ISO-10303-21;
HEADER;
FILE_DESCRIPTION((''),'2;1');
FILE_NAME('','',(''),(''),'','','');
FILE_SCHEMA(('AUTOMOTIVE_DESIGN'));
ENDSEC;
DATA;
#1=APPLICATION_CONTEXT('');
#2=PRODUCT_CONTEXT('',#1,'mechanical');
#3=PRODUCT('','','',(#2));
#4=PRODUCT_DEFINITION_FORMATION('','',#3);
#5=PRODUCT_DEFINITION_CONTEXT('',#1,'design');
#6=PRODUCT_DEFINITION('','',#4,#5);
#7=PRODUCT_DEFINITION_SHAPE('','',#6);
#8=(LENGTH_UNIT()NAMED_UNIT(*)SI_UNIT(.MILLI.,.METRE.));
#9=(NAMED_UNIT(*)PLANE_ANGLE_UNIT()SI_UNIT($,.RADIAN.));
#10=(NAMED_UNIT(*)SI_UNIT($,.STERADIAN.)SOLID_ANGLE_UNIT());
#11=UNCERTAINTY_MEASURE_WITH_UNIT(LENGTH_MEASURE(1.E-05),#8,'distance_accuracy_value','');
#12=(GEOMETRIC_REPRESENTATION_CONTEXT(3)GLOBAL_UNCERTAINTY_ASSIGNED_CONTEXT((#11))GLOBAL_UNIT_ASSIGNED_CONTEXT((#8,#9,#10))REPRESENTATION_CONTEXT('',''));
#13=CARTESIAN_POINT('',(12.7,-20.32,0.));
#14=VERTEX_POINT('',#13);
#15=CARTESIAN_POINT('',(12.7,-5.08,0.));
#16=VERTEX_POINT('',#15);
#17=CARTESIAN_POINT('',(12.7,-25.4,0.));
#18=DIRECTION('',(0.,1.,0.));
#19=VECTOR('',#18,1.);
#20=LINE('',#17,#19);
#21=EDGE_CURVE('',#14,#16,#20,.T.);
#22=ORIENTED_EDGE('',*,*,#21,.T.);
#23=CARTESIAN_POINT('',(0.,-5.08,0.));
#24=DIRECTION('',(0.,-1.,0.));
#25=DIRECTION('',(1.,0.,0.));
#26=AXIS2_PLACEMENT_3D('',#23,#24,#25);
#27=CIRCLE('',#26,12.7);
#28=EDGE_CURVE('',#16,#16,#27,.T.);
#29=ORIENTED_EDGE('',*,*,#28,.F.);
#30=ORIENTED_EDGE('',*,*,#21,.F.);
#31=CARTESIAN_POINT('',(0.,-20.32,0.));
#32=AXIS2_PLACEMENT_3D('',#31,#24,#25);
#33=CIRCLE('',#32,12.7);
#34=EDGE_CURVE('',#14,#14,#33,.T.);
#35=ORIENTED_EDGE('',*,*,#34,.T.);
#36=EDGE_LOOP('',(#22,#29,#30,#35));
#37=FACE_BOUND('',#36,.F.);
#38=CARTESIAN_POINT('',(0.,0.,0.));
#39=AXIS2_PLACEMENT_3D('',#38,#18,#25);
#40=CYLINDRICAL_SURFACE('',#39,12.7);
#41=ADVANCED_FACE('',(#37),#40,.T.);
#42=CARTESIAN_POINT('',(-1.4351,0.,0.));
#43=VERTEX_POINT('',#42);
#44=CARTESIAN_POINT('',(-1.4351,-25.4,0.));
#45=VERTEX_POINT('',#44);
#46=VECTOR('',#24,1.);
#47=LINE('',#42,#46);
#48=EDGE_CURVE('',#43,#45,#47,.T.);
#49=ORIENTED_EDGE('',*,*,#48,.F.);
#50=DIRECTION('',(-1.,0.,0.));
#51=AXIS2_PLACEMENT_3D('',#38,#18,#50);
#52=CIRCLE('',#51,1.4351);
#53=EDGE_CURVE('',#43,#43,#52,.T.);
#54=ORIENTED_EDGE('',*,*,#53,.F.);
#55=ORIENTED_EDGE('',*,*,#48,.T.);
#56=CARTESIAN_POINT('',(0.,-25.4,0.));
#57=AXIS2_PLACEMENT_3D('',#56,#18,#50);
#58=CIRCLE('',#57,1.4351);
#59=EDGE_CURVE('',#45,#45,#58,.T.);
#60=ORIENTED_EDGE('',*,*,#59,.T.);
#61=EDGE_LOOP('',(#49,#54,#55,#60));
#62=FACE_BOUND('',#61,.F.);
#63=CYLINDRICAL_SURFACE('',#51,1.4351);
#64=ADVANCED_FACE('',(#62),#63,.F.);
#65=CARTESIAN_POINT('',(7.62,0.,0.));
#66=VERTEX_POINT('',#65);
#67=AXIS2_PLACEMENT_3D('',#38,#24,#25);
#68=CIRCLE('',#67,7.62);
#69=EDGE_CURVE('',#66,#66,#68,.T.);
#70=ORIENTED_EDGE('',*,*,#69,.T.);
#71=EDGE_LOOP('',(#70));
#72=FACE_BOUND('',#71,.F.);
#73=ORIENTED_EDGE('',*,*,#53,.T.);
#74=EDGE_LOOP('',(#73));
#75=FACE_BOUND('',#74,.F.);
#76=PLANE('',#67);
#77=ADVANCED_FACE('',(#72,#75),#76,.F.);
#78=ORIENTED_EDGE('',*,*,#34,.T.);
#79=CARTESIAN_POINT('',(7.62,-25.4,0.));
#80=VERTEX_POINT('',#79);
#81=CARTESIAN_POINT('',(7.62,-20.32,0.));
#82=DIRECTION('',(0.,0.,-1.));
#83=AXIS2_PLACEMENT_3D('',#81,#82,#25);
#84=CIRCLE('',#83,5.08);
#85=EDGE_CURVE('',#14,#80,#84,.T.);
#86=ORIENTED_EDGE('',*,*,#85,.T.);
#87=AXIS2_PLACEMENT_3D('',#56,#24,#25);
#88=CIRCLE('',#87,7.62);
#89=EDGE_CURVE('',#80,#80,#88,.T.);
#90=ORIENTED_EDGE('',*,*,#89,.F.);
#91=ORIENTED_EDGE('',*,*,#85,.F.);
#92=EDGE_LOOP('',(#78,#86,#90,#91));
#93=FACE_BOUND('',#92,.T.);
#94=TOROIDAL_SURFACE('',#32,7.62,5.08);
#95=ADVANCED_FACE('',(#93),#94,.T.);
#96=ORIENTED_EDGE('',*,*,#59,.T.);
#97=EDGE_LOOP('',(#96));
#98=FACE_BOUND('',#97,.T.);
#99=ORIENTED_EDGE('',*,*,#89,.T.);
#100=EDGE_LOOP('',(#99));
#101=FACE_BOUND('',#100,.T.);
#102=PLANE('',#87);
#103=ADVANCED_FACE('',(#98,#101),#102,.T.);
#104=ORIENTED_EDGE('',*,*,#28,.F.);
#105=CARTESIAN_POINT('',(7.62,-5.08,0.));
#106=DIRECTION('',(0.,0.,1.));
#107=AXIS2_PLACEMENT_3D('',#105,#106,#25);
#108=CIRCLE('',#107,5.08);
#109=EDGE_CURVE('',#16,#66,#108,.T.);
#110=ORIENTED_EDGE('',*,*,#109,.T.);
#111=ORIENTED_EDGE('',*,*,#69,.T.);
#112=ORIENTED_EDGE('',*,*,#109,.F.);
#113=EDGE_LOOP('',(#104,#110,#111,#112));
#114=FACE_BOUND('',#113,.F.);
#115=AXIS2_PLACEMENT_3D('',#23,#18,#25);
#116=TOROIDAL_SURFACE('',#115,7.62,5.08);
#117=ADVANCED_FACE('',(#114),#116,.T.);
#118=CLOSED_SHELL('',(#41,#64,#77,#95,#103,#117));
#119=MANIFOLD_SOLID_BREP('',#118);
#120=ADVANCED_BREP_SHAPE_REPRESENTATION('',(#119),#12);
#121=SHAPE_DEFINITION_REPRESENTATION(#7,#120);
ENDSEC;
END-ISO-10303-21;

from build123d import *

# Parameters (mm, degrees)
F0_R     = 12.7
F1_DEPTH = 25.4
F2_DEPTH = 17.78
F3_R     = 5.08
F4_R     = 1.4351
F5_DEPTH = 25.4


with BuildPart() as f1:
    # F0 (on Front) → F1 (new body)
    with BuildSketch(Plane.XZ):
        Circle(F0_R)
    extrude(amount=F1_DEPTH)

    # F0 (on Front) → F2 (join)
    with BuildSketch(Plane.XZ):
        Circle(F0_R)
    extrude(amount=F2_DEPTH)

    # F3
    f3_edges = [f1.edges().sort_by_distance(p)[0] for p in [
        (-12.7, 0, 0),
        (-12.7, -25.4, 0),
    ]]
    fillet(f3_edges, radius=F3_R)

    # F4 (on face) → F5 (cut)
    with BuildSketch(Plane(origin=(0, 0, 0), x_dir=(-1, 0, 0), z_dir=(0, 1, 0))):
        Circle(F4_R)
    extrude(amount=-F5_DEPTH, mode=Mode.SUBTRACT)


solid = f1.part
